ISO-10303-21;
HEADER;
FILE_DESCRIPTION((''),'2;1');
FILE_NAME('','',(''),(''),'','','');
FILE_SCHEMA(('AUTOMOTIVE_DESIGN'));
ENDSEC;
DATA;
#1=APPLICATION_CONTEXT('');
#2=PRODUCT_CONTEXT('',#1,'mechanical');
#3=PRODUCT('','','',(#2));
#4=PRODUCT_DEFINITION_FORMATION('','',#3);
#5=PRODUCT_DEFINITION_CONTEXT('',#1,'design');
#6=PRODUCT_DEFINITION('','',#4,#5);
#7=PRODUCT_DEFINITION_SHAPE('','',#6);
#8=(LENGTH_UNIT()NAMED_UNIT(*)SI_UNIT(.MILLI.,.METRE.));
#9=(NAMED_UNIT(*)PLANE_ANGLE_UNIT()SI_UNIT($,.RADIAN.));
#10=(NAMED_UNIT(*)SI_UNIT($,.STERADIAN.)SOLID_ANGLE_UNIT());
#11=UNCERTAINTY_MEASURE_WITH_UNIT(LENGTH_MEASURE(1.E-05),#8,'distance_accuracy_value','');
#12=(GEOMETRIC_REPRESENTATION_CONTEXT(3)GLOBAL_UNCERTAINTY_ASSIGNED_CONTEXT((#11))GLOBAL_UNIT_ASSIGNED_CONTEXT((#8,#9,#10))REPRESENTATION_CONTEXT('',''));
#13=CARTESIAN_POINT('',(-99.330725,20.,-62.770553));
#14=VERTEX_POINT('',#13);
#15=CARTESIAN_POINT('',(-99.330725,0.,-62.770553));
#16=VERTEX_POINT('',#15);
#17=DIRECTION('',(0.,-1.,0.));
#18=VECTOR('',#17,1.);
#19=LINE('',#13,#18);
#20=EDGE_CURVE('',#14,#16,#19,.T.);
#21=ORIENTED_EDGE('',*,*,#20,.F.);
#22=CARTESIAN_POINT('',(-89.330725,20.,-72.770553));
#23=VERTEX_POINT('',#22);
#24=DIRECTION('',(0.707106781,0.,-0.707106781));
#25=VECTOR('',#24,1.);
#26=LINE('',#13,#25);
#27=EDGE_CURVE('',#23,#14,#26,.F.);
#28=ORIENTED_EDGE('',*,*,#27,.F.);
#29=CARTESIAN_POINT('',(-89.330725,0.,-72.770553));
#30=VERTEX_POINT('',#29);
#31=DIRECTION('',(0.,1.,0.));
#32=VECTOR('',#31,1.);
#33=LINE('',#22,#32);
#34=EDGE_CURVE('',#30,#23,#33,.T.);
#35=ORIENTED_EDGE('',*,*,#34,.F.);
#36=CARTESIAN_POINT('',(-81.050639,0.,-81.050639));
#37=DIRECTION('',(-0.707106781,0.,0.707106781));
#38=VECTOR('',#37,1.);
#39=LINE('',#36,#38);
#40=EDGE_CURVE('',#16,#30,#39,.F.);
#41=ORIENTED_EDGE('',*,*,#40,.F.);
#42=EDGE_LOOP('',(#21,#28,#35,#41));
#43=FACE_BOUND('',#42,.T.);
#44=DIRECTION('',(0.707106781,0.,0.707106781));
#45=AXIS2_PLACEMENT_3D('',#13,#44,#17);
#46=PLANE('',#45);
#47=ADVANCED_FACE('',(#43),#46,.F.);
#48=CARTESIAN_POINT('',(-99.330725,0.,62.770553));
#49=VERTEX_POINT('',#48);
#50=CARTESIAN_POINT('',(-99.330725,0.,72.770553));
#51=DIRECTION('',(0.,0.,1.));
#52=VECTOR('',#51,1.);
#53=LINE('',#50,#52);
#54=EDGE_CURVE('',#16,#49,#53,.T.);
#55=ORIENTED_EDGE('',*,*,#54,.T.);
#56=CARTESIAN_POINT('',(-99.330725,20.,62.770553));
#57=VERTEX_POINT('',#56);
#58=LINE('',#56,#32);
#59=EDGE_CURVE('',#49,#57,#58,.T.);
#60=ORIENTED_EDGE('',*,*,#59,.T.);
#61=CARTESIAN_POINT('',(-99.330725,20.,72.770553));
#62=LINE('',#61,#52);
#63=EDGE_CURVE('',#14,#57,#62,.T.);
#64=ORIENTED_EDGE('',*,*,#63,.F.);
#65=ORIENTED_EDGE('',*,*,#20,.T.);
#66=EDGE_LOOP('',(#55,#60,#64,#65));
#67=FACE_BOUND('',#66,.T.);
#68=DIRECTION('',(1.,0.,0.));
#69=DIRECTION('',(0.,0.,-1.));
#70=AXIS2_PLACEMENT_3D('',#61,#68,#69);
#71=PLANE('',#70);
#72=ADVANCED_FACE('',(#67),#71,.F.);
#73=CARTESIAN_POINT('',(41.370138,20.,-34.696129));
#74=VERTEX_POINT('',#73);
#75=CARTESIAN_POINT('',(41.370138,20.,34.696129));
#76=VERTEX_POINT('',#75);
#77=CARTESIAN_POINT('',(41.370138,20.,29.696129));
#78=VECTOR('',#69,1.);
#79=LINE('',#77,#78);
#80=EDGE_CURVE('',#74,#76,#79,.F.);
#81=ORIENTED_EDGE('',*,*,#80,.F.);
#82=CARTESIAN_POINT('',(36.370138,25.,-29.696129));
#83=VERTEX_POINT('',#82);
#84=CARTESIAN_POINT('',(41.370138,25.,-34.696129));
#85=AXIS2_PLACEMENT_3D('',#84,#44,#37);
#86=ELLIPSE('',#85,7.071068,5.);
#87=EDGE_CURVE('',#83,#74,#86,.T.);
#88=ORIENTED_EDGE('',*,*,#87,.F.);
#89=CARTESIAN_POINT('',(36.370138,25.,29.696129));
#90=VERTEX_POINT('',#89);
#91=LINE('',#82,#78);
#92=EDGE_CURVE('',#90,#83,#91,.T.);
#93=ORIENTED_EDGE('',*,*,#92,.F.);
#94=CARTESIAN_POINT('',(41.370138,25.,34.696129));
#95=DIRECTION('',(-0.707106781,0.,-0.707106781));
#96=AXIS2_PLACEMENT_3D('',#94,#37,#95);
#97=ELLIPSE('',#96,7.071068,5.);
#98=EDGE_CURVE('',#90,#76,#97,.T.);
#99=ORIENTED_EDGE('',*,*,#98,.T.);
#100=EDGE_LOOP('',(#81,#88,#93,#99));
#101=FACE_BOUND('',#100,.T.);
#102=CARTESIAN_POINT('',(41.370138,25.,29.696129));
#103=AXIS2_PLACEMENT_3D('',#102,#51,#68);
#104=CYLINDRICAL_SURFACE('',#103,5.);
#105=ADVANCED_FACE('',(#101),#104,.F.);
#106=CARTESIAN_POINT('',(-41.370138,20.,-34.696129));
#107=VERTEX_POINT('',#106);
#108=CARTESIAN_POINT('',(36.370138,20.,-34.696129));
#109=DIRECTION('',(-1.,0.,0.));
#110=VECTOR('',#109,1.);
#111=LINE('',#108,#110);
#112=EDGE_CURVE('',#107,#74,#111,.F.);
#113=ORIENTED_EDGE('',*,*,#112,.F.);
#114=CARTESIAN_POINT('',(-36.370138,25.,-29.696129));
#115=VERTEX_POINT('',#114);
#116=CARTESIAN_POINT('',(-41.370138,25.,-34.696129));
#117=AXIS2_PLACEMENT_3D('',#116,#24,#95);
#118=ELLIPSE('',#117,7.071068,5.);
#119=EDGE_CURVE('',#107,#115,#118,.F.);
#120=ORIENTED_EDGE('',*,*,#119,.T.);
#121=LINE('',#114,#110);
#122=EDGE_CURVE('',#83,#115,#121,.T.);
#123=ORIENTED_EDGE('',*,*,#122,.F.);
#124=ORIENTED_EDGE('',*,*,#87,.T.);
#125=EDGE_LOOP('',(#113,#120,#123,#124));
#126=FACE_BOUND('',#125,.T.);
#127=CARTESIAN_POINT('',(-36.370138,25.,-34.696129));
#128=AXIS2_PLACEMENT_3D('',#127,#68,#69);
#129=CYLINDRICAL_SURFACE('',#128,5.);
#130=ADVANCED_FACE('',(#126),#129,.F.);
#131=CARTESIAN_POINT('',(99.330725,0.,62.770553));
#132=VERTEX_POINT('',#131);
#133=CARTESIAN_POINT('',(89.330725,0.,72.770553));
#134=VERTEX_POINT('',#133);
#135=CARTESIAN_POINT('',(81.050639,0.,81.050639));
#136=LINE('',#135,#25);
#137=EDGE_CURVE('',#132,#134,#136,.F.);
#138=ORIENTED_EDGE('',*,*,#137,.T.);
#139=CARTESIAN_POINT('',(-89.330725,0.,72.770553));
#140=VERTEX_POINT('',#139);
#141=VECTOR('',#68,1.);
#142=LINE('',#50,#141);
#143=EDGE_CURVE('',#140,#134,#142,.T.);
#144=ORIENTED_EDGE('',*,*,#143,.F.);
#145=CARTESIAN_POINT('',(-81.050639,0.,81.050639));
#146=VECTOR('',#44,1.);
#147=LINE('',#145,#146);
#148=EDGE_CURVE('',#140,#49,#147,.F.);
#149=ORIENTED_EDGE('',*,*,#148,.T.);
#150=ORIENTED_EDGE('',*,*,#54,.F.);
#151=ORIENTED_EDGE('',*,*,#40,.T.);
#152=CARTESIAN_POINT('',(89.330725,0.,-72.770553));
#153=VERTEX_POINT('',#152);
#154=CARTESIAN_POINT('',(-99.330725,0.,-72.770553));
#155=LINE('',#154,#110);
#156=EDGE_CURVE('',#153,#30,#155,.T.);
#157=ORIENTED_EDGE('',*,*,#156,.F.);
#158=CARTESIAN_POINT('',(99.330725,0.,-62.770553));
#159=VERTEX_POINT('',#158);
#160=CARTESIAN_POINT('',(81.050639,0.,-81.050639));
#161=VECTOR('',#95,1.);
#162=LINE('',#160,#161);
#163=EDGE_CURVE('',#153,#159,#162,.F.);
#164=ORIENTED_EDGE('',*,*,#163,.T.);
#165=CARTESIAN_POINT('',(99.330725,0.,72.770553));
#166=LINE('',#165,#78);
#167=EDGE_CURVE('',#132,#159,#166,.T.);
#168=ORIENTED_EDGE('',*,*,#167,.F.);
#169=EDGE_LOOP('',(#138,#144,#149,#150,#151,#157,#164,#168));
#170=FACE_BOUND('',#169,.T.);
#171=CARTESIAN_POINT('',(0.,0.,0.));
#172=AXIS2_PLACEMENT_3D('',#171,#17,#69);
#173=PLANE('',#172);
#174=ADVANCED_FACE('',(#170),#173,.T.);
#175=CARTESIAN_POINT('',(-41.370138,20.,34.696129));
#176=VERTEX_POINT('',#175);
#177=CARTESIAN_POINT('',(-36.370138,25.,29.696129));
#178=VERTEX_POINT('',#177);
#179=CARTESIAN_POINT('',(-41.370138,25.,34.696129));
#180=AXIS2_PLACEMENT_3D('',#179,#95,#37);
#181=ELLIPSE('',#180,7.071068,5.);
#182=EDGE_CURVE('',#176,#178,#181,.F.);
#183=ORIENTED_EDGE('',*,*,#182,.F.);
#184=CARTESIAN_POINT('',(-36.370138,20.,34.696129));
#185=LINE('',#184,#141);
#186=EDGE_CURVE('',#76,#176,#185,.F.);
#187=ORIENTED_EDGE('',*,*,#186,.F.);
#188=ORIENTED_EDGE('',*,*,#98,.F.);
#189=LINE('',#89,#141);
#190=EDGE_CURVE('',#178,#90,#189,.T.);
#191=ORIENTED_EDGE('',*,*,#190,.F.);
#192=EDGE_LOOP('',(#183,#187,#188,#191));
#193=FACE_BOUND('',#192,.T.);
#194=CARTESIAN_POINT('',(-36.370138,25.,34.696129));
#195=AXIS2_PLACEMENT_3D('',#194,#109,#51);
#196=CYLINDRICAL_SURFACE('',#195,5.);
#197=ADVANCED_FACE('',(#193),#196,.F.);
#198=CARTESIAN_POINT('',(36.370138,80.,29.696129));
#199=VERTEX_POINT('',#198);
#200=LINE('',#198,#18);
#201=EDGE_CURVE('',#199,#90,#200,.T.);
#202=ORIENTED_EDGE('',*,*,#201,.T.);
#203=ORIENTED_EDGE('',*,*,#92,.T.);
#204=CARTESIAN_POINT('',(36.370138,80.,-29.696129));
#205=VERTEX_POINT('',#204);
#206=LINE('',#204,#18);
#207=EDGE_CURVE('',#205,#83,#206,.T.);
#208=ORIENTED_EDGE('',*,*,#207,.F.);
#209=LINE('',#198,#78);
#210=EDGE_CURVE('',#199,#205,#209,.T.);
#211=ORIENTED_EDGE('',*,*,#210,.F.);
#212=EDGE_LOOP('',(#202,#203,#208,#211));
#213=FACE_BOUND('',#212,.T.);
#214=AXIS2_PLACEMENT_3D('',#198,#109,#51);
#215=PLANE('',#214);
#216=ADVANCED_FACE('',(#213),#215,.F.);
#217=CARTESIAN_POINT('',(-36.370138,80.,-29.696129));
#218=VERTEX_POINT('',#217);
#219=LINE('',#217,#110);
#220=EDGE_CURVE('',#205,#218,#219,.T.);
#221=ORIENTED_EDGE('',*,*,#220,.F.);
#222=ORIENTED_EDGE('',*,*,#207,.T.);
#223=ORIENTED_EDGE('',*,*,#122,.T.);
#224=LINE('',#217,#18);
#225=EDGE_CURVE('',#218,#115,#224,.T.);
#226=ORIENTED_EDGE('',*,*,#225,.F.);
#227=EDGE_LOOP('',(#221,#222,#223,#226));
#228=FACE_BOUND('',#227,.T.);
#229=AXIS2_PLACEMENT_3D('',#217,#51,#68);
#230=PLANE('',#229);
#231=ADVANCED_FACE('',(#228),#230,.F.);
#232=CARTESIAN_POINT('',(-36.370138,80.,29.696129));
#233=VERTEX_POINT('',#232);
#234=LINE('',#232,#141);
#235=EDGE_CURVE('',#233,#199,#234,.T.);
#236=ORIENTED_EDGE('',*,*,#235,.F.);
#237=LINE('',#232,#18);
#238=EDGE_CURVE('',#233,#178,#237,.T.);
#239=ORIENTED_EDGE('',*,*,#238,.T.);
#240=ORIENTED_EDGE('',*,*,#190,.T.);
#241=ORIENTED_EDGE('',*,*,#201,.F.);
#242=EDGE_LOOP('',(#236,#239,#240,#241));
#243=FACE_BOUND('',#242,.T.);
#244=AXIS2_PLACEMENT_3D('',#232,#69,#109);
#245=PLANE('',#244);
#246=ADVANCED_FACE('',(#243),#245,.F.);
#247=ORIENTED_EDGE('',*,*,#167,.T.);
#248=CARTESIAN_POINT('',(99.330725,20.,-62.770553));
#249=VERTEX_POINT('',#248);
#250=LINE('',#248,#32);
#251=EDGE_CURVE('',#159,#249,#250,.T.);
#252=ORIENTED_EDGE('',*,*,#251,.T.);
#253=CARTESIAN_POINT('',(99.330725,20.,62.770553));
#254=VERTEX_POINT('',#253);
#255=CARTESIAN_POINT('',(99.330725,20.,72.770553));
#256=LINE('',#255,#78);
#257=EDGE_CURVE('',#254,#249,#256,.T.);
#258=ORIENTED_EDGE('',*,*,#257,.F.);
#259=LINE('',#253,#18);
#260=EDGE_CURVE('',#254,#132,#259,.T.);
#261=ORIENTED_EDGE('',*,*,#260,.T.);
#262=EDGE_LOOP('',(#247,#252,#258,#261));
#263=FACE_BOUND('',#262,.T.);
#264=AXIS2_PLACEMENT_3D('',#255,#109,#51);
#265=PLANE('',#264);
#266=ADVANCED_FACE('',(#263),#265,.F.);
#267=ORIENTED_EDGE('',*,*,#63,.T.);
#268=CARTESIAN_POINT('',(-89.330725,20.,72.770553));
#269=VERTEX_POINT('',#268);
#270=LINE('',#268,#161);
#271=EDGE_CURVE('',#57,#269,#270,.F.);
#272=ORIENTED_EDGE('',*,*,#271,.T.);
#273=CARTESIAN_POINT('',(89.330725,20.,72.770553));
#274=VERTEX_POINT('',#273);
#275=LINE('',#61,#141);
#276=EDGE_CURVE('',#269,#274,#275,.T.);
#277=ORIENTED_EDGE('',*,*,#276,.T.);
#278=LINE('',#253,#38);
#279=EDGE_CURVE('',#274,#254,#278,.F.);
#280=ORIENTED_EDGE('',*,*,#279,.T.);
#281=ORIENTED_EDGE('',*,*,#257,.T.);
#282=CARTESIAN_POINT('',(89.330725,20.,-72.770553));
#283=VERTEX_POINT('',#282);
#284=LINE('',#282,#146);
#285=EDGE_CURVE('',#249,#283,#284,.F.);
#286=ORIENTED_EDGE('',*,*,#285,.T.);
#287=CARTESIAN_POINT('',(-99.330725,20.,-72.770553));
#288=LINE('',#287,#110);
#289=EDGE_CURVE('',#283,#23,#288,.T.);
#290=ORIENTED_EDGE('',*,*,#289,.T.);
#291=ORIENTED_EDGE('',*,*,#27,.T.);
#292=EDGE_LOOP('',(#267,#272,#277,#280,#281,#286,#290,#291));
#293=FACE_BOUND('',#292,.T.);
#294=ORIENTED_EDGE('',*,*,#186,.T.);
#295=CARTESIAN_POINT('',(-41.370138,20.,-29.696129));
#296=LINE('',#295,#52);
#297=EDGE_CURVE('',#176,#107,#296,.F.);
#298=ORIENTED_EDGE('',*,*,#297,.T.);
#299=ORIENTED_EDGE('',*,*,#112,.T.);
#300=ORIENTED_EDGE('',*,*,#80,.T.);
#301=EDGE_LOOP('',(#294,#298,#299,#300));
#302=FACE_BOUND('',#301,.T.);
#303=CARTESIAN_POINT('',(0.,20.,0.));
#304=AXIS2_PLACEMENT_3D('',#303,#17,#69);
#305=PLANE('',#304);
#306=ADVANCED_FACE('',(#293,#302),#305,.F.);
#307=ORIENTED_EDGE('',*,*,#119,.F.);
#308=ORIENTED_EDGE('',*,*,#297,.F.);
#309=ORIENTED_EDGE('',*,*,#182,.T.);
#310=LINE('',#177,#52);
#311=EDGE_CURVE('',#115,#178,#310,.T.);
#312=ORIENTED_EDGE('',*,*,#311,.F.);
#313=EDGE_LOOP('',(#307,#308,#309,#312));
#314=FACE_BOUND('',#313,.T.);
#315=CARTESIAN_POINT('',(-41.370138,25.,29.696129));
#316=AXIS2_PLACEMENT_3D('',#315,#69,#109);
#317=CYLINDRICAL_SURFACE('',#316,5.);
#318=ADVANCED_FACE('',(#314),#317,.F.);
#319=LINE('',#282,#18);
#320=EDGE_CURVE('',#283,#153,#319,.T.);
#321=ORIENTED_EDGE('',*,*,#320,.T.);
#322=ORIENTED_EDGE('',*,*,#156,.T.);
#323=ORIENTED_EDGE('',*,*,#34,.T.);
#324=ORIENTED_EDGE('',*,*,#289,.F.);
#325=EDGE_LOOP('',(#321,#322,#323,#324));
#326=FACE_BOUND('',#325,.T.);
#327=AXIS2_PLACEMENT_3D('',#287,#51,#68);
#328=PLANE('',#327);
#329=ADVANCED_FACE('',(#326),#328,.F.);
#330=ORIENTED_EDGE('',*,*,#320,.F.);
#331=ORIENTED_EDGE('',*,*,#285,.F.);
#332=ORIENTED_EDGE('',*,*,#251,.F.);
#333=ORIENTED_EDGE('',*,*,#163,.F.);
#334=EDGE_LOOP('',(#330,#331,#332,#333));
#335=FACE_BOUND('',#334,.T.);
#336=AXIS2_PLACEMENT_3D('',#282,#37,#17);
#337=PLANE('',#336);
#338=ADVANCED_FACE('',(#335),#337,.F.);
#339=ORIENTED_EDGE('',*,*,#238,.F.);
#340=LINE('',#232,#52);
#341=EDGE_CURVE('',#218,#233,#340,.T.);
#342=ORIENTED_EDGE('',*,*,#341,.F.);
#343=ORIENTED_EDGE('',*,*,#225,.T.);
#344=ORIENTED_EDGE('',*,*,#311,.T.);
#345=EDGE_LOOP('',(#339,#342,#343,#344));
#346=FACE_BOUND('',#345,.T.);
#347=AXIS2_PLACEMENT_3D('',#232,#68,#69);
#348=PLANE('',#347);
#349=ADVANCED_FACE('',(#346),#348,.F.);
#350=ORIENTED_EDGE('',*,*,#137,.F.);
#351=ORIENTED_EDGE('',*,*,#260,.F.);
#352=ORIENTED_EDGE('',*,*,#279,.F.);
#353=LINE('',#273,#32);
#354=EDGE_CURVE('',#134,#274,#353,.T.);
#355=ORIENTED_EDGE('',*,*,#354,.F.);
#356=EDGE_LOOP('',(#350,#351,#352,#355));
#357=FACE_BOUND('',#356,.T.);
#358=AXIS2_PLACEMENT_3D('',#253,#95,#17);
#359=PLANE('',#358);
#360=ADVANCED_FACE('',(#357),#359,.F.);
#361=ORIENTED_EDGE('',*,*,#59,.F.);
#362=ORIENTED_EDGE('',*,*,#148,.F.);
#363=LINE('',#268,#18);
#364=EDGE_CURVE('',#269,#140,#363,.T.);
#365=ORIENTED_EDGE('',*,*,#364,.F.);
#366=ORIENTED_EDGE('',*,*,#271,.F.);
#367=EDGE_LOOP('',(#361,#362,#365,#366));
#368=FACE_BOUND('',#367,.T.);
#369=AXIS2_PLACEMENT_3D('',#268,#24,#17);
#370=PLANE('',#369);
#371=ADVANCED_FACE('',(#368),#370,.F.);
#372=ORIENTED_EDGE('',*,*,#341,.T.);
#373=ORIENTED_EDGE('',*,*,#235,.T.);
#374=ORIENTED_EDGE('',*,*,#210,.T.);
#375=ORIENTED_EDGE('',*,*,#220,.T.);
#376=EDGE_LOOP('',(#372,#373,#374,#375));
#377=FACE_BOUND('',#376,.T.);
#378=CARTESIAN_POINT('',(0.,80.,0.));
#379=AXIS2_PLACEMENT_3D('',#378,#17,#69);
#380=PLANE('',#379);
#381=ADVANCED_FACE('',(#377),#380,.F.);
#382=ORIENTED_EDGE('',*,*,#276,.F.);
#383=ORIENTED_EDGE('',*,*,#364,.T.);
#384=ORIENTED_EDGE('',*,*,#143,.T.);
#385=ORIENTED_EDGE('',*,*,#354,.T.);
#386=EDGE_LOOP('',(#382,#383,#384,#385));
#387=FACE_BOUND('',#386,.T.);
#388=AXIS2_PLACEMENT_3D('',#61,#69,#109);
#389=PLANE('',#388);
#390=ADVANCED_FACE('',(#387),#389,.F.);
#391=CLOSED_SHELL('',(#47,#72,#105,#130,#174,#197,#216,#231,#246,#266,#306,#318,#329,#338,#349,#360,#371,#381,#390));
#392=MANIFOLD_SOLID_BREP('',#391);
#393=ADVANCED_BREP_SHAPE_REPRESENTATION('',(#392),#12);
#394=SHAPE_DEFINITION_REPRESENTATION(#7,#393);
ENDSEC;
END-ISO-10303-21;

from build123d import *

# Parameters (mm, degrees)
ESQUISSE1_W        = 198.661449586
ESQUISSE1_H        = 145.541105456
BOSS_EXTRU_1_DEPTH = 20
ESQUISSE2_W        = 72.740275378
ESQUISSE2_H        = 59.392258424
BOSS_EXTRU_2_DEPTH = 60
CONG_1_R           = 5
CHANFREIN1_SIZE    = 10


with BuildPart() as part:
    # Esquisse1 → Boss.-Extru.1 (new body)
    with BuildSketch(Plane(origin=(0, 0, 0), x_dir=(1, 0, 0), z_dir=(0, 1, 0))):
        Rectangle(ESQUISSE1_W, ESQUISSE1_H)
    extrude(amount=BOSS_EXTRU_1_DEPTH)

    # Esquisse2 → Boss.-Extru.2 (add)
    with BuildSketch(Plane(origin=(0, 20, 0), x_dir=(1, 0, 0), z_dir=(0, 1, 0))):
        Rectangle(ESQUISSE2_W, ESQUISSE2_H)
    extrude(amount=BOSS_EXTRU_2_DEPTH)

    # Congé1
    cong_1_edges = [part.edges().sort_by_distance(p)[0] for p in [
        (36.370137689, 20, 0),
        (0, 20, -29.696129212),
        (-36.370137689, 20, 0),
        (0, 20, 29.696129212),
    ]]
    fillet(cong_1_edges, radius=CONG_1_R)

    # Chanfrein1
    chanfrein1_edges = [part.edges().sort_by_distance(p)[0] for p in [
        (99.330724793, 10, 72.770552728),
        (-99.330724793, 10, 72.770552728),
        (-99.330724793, 10, -72.770552728),
        (99.330724793, 10, -72.770552728),
    ]]
    chamfer(chanfrein1_edges, length=CHANFREIN1_SIZE)


solid = part.part
